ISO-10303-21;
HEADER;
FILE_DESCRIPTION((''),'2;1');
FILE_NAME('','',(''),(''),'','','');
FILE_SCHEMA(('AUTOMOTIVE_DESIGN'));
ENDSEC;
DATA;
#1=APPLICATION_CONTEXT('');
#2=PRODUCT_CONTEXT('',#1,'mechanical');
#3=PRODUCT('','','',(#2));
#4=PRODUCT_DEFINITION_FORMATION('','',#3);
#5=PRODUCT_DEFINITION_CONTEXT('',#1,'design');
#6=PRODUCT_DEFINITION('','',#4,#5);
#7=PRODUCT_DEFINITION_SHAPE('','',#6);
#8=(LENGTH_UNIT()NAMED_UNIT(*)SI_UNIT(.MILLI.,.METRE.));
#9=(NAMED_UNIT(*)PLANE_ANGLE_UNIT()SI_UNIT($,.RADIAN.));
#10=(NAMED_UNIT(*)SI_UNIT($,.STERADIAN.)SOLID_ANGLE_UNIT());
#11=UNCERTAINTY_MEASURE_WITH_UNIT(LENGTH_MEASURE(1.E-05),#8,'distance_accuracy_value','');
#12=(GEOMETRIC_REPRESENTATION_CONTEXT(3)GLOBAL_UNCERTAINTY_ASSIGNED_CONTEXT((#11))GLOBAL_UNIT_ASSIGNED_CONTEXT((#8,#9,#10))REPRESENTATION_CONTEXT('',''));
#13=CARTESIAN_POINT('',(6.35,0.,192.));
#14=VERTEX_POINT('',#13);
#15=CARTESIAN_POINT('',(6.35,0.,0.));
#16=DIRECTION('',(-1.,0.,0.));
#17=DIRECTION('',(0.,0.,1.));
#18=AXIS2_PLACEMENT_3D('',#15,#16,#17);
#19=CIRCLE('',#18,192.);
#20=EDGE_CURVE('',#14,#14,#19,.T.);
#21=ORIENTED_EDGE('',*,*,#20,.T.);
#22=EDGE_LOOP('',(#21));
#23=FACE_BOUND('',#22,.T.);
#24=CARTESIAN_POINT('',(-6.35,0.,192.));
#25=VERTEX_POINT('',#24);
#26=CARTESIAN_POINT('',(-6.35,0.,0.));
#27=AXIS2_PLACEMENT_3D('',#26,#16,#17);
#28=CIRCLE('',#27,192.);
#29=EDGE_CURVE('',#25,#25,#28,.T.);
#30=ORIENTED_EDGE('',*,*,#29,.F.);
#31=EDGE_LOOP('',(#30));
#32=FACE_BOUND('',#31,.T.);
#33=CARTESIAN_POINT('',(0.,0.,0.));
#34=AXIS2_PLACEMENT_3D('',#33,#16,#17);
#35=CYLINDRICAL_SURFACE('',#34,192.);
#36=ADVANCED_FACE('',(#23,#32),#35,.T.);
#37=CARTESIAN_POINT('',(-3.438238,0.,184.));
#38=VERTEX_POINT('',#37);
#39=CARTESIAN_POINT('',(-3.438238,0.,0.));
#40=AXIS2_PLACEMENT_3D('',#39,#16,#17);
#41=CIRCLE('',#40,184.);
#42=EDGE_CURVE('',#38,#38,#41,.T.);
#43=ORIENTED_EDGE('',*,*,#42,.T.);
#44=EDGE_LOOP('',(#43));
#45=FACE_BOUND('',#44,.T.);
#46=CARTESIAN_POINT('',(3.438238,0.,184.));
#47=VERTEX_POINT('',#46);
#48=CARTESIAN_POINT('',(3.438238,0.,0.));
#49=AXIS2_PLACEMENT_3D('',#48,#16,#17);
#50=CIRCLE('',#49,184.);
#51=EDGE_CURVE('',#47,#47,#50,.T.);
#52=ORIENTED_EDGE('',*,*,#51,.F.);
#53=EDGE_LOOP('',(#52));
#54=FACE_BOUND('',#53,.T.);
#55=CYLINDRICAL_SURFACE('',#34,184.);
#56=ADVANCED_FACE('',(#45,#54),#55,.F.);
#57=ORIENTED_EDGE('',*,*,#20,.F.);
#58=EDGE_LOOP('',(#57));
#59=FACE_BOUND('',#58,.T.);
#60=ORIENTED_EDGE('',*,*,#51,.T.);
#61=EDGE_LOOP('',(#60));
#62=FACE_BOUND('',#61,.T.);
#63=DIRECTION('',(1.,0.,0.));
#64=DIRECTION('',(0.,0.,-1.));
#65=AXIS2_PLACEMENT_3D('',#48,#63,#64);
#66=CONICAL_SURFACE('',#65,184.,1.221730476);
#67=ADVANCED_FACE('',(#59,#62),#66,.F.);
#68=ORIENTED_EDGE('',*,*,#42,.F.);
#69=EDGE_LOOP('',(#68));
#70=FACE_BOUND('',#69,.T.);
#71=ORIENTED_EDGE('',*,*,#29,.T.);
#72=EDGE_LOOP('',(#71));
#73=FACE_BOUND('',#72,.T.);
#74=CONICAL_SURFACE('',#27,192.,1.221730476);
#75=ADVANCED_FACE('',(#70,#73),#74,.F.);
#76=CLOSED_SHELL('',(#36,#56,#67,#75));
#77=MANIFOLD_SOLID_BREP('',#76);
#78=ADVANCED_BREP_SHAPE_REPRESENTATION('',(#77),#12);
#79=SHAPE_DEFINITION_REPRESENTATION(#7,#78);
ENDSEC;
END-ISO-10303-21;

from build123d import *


with BuildPart() as part:
    # Sketch1 → Revolve1 (revolve)
    with BuildSketch(Plane.XY, mode=Mode.PRIVATE) as revolve1_sk:
        Polygon((-6.35, 192), (6.35, 192), (3.438238126, 184), (-3.438238126, 184), align=None)
    revolve(revolve1_sk.sketch.rotate(Axis((0, 0, 0), (1, 0, 0)), 90), axis=Axis((0, 0, 0), (1, 0, 0)))


solid = part.part
